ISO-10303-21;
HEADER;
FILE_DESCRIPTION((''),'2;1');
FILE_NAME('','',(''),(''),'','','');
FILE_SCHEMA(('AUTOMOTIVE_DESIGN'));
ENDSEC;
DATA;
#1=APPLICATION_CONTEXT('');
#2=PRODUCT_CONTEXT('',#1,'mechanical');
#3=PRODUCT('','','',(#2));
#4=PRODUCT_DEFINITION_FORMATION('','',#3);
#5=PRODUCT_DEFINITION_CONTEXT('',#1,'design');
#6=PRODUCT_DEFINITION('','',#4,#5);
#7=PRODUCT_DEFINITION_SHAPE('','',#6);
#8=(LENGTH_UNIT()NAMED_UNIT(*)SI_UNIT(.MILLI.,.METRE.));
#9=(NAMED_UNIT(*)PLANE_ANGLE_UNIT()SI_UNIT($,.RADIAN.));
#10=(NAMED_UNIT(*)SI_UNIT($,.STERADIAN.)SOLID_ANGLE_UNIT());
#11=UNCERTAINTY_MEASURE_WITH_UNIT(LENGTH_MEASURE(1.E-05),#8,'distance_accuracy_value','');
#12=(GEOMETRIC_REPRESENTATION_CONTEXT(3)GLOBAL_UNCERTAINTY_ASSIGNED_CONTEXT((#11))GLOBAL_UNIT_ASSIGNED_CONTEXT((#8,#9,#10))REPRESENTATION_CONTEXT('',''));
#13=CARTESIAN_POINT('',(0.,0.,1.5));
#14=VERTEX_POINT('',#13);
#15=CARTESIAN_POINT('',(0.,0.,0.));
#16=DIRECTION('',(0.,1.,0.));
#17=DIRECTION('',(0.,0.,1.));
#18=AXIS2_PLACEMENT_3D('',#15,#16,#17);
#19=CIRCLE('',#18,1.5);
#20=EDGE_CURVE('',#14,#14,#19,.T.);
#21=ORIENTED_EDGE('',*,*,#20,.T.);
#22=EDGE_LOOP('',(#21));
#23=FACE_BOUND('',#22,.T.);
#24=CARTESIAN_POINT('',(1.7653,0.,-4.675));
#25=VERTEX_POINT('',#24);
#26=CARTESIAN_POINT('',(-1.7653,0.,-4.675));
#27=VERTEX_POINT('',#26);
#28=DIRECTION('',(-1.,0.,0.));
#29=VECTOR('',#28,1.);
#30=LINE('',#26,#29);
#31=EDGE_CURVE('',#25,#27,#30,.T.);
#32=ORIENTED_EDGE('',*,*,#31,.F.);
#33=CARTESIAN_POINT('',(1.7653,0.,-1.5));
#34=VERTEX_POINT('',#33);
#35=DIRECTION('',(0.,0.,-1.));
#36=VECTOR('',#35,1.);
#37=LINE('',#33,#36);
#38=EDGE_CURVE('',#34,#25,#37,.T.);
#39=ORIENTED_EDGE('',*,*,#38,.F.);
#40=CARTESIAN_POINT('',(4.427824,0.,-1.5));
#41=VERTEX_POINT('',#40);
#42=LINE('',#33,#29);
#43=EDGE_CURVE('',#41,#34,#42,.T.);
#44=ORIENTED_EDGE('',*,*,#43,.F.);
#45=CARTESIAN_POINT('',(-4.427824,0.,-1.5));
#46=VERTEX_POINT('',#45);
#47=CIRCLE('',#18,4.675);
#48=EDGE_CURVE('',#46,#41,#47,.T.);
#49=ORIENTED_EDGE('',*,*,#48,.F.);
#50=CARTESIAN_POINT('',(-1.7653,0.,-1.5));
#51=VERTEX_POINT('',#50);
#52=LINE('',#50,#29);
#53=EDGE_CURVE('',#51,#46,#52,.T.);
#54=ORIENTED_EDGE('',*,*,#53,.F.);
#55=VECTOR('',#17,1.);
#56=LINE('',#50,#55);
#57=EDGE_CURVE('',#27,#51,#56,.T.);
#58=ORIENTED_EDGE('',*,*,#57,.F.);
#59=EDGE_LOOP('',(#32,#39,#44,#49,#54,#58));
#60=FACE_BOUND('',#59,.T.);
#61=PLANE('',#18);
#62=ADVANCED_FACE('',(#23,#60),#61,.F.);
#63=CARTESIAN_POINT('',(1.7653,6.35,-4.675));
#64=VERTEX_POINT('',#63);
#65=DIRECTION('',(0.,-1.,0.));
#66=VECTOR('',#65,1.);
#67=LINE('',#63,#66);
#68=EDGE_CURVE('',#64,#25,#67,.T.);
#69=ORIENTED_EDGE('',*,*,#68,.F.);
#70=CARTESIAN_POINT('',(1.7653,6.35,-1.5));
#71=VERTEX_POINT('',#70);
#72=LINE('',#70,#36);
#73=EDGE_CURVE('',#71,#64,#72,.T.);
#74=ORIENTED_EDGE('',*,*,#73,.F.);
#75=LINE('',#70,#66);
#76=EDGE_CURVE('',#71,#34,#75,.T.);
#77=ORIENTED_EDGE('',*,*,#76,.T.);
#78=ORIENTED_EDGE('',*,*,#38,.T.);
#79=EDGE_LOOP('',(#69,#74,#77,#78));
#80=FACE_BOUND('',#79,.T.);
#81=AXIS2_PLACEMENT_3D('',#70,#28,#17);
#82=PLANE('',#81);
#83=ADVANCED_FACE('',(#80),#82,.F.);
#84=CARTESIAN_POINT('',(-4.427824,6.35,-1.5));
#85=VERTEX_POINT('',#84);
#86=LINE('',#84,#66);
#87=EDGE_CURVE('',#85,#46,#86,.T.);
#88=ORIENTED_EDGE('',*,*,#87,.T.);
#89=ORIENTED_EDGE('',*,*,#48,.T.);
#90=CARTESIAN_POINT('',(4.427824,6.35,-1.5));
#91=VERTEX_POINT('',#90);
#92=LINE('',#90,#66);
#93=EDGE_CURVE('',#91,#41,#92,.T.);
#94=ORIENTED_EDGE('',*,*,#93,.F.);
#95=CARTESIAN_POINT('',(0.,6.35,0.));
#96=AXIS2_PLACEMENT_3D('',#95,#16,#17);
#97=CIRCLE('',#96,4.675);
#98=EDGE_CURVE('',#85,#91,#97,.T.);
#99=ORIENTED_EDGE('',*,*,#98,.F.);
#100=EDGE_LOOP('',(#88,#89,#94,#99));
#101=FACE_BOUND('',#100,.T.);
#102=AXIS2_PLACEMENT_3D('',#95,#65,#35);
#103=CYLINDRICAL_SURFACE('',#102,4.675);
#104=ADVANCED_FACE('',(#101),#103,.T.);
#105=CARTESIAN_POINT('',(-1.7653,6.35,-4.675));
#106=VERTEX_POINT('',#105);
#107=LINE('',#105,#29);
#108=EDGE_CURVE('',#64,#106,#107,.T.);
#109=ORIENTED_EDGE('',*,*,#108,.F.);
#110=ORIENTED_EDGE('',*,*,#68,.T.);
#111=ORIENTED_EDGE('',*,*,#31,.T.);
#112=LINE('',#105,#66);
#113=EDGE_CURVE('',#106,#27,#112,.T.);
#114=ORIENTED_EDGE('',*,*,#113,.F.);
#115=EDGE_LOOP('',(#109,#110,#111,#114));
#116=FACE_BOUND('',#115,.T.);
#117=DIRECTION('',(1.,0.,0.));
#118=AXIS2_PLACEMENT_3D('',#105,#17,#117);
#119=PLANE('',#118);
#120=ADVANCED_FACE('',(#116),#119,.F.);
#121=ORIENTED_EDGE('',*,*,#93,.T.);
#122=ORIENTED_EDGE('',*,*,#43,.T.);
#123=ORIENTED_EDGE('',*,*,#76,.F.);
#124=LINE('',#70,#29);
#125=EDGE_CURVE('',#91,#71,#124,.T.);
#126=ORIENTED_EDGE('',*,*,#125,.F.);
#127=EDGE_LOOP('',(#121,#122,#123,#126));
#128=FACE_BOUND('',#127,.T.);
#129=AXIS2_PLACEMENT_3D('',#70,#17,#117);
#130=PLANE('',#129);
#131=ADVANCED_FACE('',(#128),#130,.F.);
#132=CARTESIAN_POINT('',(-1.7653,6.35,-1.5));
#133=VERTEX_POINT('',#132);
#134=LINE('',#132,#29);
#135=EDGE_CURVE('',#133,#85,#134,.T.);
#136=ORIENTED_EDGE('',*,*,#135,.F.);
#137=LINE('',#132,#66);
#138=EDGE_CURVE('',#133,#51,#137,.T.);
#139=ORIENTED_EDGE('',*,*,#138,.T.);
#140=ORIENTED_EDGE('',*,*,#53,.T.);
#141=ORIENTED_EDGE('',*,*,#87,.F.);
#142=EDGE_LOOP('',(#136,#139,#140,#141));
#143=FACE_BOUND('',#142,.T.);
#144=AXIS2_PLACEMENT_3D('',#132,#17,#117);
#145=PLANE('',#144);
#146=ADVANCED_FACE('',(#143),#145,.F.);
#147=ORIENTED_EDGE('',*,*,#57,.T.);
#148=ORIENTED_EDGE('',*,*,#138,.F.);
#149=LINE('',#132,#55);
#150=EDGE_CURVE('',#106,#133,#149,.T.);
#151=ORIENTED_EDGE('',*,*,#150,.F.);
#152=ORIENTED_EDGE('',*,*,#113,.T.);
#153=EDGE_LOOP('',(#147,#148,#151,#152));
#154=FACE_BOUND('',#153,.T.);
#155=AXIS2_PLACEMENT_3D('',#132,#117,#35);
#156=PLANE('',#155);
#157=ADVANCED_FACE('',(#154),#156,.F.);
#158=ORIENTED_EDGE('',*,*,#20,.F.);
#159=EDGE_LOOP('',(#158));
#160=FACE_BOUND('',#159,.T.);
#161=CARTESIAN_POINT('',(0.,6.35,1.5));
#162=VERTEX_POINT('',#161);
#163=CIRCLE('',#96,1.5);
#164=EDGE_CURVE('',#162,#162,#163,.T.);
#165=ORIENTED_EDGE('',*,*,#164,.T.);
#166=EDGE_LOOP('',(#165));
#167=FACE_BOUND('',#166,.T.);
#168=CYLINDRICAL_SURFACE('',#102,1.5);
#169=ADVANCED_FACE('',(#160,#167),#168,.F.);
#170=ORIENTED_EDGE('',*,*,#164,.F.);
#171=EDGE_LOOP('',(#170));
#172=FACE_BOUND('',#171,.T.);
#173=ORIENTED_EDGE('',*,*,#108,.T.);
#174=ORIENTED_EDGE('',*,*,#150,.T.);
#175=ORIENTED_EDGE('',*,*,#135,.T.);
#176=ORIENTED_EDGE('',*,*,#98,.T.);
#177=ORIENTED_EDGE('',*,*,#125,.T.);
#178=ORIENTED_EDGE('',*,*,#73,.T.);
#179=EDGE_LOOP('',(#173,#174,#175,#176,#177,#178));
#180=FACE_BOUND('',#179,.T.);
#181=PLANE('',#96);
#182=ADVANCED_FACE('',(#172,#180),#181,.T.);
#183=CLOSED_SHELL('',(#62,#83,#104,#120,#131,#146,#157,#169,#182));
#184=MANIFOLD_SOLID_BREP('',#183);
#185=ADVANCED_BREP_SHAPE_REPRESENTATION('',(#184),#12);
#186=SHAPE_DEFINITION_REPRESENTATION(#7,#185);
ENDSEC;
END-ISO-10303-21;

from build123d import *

# Parameters (mm, degrees)
SKETCH1_R           = 1.5
BOSS_EXTRUDE1_DEPTH = 6.35


with BuildPart() as part:
    # Sketch1 → Boss-Extrude1 (new body)
    with BuildSketch(Plane(origin=(0, 0, 0), x_dir=(1, 0, 0), z_dir=(0, 1, 0))):
        with BuildLine():
            Line((-1.7653, 1.5), (-1.7653, 4.675))
            Line((-1.7653, 4.675), (1.7653, 4.675))
            Line((1.7653, 4.675), (1.7653, 1.5))
            Line((1.7653, 1.5), (4.427823958, 1.5))
            ThreePointArc((4.427823958, 1.5), (0, -4.675), (-4.427823958, 1.5))
            Line((-4.427823958, 1.5), (-1.7653, 1.5))
        make_face()
        with Locations(Location((0, 0, 0), (0, 0, 270))):
            Circle(SKETCH1_R, mode=Mode.SUBTRACT)
    extrude(amount=BOSS_EXTRUDE1_DEPTH)


solid = part.part
